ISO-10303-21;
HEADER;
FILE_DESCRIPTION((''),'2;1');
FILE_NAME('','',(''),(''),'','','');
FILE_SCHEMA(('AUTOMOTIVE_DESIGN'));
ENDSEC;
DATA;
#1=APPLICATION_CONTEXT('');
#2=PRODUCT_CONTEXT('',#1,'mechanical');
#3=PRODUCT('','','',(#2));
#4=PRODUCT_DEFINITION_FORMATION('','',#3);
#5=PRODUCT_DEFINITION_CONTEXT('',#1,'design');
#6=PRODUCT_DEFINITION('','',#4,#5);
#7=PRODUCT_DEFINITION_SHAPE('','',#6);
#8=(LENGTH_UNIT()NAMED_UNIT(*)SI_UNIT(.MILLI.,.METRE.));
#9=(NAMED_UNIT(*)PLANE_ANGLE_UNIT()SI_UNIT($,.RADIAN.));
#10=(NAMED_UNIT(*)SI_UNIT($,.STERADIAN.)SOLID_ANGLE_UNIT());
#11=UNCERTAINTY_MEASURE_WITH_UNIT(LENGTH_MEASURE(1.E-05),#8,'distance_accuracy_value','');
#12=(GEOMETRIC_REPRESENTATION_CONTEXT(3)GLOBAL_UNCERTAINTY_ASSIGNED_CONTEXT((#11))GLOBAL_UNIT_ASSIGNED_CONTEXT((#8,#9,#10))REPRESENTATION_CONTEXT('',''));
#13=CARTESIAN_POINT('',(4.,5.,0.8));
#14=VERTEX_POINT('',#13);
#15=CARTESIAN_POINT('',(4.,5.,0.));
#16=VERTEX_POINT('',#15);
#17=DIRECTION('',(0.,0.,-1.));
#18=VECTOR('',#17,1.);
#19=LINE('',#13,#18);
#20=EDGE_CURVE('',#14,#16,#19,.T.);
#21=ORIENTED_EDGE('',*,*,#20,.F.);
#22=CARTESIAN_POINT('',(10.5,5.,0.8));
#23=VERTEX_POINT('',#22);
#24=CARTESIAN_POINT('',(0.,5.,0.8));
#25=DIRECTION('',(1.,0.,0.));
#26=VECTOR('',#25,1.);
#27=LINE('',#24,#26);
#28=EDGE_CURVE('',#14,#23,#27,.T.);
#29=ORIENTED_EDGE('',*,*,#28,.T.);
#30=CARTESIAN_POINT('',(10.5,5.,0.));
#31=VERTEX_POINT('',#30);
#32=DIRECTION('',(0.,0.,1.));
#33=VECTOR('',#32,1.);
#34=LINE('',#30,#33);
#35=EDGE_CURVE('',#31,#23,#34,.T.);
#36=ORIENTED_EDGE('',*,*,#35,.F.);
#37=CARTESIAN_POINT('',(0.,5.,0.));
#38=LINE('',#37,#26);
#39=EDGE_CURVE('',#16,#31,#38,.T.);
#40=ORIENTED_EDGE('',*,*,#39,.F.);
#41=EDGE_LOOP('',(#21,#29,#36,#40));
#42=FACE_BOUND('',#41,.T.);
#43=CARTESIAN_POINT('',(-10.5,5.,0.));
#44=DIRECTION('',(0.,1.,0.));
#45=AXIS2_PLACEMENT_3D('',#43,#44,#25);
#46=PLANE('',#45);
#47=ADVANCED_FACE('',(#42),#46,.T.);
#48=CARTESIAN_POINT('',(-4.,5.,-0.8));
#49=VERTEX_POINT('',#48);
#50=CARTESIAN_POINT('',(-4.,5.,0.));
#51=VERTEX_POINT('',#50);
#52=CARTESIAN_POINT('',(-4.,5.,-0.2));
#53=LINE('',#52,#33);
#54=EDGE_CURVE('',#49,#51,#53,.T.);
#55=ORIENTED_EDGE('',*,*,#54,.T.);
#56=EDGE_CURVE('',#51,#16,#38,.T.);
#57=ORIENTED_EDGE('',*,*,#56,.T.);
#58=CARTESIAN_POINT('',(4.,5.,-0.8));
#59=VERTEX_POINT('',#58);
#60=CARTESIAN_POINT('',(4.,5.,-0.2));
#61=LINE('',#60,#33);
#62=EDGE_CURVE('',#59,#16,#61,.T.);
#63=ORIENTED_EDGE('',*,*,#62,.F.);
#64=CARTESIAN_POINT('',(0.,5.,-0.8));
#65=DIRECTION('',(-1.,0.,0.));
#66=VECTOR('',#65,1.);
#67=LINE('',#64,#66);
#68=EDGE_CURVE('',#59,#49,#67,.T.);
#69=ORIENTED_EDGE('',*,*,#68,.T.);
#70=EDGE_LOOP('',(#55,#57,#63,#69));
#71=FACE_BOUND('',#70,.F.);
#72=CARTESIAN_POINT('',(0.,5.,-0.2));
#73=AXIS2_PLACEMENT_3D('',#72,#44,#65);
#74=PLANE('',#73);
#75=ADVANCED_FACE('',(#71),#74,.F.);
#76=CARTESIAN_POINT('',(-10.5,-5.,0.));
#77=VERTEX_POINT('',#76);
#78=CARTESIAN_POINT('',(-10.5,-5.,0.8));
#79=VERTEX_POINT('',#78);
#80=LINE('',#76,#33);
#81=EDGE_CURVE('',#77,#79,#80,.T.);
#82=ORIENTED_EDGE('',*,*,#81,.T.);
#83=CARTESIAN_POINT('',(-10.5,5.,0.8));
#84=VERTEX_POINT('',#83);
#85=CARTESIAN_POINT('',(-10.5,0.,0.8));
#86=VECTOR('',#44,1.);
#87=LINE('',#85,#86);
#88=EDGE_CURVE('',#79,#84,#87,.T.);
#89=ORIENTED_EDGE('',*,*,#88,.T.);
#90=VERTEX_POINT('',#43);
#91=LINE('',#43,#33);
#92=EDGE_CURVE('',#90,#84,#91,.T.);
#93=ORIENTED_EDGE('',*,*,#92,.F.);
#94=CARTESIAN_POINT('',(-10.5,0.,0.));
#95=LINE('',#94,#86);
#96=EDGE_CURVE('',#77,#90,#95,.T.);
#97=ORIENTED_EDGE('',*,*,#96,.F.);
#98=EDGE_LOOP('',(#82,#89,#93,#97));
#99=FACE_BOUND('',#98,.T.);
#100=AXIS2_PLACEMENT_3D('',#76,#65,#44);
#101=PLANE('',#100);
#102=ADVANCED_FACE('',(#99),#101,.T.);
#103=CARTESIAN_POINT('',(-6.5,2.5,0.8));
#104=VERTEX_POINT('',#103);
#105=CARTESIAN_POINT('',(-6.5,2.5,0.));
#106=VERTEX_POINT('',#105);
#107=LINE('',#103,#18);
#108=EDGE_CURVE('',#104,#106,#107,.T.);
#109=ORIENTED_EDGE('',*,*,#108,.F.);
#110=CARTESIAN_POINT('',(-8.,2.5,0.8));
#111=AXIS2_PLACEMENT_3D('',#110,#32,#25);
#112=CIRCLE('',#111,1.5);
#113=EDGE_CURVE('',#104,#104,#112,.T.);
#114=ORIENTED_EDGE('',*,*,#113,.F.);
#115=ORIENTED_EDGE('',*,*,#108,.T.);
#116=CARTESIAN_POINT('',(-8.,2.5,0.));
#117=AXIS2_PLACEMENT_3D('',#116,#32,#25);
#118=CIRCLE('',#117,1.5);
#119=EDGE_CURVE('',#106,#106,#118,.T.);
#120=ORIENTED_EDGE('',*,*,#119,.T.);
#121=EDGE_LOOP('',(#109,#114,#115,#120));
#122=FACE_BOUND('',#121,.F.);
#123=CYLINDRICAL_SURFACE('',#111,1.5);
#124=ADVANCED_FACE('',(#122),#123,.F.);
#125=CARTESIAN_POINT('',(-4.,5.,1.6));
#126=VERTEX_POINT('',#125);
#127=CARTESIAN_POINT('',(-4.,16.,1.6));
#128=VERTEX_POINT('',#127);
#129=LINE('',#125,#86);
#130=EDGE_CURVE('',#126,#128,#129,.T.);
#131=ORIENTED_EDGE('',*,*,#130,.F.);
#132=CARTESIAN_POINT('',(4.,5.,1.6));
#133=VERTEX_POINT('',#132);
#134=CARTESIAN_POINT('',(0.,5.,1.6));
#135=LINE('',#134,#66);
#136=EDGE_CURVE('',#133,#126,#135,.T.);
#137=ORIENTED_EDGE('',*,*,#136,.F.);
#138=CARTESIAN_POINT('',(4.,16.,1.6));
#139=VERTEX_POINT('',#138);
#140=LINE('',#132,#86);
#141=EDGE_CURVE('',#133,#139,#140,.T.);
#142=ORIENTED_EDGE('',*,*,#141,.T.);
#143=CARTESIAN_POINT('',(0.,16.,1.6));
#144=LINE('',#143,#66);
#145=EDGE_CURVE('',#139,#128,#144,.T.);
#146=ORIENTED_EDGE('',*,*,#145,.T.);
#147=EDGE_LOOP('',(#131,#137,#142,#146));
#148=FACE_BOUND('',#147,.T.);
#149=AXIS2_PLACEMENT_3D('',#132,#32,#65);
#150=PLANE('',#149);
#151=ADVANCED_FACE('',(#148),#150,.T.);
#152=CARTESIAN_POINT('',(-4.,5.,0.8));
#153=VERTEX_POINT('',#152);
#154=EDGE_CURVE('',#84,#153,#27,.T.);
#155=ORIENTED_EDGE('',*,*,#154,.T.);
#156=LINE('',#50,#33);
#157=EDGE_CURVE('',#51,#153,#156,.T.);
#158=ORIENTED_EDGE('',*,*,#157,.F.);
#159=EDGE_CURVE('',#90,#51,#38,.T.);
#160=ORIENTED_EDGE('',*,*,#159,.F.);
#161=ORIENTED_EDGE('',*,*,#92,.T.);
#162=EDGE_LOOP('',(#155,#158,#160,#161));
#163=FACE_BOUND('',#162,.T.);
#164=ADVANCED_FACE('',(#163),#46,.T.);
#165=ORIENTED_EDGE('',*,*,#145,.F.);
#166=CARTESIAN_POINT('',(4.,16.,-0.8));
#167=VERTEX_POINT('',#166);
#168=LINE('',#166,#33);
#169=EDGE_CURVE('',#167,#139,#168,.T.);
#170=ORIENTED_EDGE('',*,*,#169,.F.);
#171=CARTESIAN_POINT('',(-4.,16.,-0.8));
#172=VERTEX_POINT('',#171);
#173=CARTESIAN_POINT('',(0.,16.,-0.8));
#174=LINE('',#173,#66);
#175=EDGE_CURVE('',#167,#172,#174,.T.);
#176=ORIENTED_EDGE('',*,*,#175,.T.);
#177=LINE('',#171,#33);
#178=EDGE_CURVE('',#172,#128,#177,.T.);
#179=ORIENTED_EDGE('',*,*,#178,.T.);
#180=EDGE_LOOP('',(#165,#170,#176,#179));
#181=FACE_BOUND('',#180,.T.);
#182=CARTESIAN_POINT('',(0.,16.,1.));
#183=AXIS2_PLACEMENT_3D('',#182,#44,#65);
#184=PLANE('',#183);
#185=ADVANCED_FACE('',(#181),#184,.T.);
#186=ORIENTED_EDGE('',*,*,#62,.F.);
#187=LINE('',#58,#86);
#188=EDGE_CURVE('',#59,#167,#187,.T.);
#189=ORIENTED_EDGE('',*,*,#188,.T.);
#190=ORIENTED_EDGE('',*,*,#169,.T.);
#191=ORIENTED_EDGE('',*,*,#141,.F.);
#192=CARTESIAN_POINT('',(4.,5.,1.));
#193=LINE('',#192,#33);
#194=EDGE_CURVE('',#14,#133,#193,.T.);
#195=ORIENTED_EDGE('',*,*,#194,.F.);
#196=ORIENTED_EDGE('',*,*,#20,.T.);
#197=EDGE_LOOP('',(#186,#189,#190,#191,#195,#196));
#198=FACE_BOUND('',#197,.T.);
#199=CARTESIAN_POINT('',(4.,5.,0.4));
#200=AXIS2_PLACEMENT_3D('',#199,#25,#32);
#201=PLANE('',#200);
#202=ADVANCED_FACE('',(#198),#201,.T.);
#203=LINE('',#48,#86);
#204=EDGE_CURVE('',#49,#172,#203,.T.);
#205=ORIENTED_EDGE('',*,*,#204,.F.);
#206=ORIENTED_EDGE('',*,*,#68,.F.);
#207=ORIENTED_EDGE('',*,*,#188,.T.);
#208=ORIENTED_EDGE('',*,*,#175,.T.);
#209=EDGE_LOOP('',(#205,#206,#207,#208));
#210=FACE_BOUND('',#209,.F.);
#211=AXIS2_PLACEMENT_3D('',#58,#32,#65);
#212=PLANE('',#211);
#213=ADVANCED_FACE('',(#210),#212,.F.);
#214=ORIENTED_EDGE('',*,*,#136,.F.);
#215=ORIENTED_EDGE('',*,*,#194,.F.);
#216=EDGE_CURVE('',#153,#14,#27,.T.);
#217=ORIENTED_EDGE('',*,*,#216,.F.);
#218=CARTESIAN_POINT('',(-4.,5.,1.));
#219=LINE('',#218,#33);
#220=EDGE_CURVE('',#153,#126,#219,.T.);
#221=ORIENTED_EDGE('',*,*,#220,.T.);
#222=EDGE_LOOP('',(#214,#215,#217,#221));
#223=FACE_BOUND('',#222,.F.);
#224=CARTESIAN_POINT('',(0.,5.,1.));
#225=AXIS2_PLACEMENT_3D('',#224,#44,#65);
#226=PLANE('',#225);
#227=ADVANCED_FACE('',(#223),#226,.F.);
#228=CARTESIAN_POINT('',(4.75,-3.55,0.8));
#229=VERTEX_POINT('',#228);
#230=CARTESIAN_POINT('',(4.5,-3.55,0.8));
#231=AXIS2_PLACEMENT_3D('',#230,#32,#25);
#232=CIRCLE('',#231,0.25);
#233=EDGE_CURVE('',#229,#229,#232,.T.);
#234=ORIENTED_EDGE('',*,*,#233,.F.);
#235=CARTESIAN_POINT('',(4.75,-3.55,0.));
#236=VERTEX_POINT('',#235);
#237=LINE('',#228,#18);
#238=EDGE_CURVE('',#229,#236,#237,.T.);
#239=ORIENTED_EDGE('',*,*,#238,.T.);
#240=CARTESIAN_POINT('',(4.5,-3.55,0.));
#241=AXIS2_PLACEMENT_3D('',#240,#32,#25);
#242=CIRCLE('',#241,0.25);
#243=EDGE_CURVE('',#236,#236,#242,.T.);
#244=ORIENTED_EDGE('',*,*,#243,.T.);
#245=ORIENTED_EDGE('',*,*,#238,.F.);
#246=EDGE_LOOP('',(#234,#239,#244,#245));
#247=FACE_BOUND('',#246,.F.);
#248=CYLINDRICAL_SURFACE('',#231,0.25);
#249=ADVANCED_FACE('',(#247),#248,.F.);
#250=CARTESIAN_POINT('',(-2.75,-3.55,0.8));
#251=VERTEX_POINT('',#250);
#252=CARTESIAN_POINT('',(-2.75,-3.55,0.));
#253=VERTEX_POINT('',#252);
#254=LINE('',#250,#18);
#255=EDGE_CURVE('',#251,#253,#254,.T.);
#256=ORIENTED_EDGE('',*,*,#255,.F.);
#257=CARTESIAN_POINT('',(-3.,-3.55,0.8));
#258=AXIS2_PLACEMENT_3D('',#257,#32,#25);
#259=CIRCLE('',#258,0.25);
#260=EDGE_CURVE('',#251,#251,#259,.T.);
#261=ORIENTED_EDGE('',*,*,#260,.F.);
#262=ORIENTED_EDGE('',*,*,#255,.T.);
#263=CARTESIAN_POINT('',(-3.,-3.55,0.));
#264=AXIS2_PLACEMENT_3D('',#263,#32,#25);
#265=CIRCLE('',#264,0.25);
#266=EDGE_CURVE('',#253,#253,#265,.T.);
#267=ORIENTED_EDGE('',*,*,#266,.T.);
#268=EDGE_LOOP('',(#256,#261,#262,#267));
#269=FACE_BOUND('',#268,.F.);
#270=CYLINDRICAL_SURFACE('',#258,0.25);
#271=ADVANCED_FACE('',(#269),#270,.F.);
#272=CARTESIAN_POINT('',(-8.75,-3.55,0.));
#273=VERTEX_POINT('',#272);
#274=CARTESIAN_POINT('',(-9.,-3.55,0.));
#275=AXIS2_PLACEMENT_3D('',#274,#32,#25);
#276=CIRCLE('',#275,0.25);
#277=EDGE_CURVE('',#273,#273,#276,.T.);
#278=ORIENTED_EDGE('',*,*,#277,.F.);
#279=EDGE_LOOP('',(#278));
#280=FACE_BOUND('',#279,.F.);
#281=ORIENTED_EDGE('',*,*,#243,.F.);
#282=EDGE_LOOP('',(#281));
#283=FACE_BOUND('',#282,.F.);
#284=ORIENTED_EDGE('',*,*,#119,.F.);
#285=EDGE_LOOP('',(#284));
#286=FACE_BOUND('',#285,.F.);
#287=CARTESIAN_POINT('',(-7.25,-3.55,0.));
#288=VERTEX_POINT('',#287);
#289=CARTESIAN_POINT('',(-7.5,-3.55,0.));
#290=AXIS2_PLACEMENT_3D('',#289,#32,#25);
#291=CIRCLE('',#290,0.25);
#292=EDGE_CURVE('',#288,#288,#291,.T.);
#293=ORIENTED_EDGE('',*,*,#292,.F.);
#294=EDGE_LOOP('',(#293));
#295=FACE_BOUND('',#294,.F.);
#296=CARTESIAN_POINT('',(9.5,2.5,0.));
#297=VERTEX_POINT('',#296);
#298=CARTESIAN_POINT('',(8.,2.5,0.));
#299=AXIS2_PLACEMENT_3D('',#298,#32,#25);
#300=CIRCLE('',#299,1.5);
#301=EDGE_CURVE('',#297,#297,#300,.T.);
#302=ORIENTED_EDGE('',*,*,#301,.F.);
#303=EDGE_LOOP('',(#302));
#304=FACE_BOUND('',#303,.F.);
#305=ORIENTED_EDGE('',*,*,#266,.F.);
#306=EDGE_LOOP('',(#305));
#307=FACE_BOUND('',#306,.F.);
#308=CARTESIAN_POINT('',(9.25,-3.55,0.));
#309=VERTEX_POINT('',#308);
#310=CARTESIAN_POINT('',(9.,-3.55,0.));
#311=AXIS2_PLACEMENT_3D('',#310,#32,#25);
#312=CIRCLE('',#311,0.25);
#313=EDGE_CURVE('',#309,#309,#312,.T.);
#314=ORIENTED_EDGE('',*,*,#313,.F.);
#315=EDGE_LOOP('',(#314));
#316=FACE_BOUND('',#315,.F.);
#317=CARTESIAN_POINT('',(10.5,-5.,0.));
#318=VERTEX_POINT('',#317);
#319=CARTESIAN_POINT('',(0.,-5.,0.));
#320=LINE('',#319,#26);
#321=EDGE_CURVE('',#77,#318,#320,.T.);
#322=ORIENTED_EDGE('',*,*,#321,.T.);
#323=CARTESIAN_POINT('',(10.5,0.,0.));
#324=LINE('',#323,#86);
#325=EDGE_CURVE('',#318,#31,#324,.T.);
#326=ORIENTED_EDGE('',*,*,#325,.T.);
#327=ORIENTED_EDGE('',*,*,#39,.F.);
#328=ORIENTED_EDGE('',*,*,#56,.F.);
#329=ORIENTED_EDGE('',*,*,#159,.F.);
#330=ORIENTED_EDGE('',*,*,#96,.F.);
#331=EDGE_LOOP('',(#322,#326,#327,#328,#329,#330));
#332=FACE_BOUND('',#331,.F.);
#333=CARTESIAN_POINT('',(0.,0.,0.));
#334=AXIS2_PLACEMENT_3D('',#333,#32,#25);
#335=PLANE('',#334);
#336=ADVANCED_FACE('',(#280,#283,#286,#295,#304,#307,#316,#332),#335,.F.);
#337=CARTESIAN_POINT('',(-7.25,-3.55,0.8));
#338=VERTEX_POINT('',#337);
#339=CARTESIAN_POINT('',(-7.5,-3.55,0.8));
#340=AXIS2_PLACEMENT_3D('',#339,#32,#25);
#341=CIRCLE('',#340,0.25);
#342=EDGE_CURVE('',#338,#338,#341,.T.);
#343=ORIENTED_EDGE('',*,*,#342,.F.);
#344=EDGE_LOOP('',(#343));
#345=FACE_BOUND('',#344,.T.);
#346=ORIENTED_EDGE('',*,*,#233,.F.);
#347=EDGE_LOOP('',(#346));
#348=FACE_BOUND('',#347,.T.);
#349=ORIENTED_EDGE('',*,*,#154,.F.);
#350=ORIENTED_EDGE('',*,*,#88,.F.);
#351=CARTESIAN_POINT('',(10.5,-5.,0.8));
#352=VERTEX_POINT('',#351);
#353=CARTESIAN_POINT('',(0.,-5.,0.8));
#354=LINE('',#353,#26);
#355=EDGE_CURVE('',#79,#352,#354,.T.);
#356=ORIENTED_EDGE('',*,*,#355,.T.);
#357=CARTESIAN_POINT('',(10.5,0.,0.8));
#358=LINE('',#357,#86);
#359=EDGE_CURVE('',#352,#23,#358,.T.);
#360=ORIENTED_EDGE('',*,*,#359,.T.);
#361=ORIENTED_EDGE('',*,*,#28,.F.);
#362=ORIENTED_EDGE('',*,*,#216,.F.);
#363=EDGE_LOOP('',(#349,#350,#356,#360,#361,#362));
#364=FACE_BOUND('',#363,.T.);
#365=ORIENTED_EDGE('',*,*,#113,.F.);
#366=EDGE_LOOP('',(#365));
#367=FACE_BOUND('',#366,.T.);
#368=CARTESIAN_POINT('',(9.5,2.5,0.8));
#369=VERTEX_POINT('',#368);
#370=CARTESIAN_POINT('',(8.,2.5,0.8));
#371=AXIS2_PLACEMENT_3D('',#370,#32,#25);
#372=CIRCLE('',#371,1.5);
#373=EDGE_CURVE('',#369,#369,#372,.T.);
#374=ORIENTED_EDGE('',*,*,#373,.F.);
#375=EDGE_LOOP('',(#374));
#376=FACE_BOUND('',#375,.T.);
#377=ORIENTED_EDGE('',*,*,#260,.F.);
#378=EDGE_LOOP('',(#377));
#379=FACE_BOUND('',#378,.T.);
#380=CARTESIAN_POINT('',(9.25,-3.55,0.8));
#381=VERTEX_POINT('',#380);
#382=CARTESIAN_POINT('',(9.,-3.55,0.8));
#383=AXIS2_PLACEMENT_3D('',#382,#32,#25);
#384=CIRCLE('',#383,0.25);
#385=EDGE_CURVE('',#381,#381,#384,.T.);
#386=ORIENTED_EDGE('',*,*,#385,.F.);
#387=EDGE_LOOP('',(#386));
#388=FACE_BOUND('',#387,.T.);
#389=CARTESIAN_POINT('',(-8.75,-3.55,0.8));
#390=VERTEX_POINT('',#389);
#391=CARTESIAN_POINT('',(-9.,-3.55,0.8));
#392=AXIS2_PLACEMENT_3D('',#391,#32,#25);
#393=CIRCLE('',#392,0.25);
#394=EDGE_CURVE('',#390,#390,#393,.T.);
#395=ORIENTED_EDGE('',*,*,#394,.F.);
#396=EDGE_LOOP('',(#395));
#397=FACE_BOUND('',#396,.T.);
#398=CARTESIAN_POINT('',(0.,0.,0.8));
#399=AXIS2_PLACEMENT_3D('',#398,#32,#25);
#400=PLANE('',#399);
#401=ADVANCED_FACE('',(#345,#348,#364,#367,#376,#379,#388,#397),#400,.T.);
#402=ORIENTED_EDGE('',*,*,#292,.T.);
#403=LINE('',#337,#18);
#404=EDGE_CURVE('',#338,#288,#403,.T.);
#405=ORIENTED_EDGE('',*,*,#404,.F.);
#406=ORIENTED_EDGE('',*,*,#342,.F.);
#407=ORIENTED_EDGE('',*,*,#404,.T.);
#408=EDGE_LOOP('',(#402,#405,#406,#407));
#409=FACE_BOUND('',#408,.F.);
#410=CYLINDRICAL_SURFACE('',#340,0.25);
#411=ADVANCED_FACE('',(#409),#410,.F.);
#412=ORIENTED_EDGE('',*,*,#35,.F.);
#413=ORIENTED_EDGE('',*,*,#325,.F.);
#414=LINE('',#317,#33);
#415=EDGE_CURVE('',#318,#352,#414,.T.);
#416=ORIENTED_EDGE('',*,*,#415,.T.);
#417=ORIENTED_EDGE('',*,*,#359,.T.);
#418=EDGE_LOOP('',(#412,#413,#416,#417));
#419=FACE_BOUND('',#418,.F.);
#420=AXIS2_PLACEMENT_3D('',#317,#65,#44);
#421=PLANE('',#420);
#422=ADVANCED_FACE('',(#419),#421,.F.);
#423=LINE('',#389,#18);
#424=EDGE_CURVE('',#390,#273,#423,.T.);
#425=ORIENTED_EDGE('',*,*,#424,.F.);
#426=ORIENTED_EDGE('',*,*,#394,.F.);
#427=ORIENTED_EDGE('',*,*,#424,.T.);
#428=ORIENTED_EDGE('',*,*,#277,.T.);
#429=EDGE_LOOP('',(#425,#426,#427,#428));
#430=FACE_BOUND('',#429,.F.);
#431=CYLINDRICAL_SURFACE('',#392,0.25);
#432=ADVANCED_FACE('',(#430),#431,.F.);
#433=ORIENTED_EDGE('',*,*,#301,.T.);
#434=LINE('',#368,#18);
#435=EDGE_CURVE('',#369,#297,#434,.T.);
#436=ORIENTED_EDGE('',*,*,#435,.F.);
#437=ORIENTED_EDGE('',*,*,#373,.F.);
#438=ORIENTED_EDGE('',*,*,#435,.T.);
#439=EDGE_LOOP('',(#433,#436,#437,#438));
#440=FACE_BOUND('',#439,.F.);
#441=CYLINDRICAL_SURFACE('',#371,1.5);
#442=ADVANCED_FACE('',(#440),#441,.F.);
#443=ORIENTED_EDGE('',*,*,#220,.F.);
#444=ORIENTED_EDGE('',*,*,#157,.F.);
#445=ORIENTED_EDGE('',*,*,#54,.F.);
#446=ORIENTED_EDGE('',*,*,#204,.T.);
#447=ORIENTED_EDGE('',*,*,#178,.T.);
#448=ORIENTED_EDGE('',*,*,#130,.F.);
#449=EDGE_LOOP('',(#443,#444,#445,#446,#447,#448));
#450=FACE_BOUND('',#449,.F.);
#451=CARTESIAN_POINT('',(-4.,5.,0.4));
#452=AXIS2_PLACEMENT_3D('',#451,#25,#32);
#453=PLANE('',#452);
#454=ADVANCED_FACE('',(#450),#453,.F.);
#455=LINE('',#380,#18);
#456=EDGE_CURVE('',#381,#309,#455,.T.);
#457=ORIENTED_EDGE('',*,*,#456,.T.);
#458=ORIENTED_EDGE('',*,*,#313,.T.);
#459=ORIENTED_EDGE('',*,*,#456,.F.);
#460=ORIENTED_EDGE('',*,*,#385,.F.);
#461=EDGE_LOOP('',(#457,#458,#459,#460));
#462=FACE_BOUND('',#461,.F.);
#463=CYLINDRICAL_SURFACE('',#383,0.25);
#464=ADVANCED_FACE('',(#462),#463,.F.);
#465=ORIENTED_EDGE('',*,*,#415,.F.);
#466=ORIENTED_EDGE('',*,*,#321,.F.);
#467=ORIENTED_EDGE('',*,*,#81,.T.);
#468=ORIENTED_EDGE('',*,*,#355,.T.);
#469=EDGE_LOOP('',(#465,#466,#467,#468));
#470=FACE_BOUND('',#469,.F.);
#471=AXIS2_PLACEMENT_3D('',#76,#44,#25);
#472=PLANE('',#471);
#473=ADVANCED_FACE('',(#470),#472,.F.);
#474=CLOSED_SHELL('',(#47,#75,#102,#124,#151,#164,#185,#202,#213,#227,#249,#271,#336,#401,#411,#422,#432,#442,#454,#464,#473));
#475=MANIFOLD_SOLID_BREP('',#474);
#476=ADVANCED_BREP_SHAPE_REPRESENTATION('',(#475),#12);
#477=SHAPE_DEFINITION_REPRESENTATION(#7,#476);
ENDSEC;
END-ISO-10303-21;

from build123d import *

# Parameters (mm, degrees)
SKETCH_W     = 21
SKETCH_H     = 10
PAD_DEPTH    = 0.8
SKETCH001_W  = 8
SKETCH001_H  = 1.2
PAD001_DEPTH = 11
SKETCH002_W  = 8
SKETCH002_H  = 1.2
PAD002_DEPTH = 11
SKETCH003_R  = 0.25
POCKET_DEPTH = 3
SKETCH004_R  = 1.5
HOLE_DEPTH   = 1.601


with BuildPart() as part:
    # Sketch → Pad (new body)
    with BuildSketch(Plane.XY):
        Rectangle(SKETCH_W, SKETCH_H)
    extrude(amount=PAD_DEPTH)

    # Sketch001 (on Face1 of Pad) → Pad001 (join)
    with BuildSketch(Plane(origin=(0, 5, 0), x_dir=(-1, 0, 0), z_dir=(0, 1, 0))):
        with Locations((0, -0.2)):
            Rectangle(SKETCH001_W, SKETCH001_H)
    extrude(amount=PAD001_DEPTH)

    # Sketch002 (on Face1 of Pad001) → Pad002 (join)
    with BuildSketch(Plane(origin=(0, 5, 0), x_dir=(-1, 0, 0), z_dir=(0, 1, 0))):
        with Locations((0, 1)):
            Rectangle(SKETCH002_W, SKETCH002_H)
    extrude(amount=PAD002_DEPTH)

    # Sketch003 (on Face5 of Pad002) → Pocket (cut)
    with BuildSketch(Plane.XY.offset(0.8)):
        with Locations((-9, -3.55)):
            Circle(SKETCH003_R)
        with Locations((-7.5, -3.55)):
            Circle(SKETCH003_R)
        with Locations((-3, -3.55)):
            Circle(SKETCH003_R)
        with Locations((4.5, -3.55)):
            Circle(SKETCH003_R)
        with Locations((9, -3.55)):
            Circle(SKETCH003_R)
    extrude(amount=-POCKET_DEPTH, mode=Mode.SUBTRACT)

    # Sketch004 (on Face5 of Pocket) → Hole (cut, through all)
    with BuildSketch(Plane.XY.offset(0.8)):
        with Locations((-8, 2.5)):
            Circle(SKETCH004_R)
        with Locations((8, 2.5)):
            Circle(SKETCH004_R)
    extrude(amount=-HOLE_DEPTH, mode=Mode.SUBTRACT)


solid = part.part
